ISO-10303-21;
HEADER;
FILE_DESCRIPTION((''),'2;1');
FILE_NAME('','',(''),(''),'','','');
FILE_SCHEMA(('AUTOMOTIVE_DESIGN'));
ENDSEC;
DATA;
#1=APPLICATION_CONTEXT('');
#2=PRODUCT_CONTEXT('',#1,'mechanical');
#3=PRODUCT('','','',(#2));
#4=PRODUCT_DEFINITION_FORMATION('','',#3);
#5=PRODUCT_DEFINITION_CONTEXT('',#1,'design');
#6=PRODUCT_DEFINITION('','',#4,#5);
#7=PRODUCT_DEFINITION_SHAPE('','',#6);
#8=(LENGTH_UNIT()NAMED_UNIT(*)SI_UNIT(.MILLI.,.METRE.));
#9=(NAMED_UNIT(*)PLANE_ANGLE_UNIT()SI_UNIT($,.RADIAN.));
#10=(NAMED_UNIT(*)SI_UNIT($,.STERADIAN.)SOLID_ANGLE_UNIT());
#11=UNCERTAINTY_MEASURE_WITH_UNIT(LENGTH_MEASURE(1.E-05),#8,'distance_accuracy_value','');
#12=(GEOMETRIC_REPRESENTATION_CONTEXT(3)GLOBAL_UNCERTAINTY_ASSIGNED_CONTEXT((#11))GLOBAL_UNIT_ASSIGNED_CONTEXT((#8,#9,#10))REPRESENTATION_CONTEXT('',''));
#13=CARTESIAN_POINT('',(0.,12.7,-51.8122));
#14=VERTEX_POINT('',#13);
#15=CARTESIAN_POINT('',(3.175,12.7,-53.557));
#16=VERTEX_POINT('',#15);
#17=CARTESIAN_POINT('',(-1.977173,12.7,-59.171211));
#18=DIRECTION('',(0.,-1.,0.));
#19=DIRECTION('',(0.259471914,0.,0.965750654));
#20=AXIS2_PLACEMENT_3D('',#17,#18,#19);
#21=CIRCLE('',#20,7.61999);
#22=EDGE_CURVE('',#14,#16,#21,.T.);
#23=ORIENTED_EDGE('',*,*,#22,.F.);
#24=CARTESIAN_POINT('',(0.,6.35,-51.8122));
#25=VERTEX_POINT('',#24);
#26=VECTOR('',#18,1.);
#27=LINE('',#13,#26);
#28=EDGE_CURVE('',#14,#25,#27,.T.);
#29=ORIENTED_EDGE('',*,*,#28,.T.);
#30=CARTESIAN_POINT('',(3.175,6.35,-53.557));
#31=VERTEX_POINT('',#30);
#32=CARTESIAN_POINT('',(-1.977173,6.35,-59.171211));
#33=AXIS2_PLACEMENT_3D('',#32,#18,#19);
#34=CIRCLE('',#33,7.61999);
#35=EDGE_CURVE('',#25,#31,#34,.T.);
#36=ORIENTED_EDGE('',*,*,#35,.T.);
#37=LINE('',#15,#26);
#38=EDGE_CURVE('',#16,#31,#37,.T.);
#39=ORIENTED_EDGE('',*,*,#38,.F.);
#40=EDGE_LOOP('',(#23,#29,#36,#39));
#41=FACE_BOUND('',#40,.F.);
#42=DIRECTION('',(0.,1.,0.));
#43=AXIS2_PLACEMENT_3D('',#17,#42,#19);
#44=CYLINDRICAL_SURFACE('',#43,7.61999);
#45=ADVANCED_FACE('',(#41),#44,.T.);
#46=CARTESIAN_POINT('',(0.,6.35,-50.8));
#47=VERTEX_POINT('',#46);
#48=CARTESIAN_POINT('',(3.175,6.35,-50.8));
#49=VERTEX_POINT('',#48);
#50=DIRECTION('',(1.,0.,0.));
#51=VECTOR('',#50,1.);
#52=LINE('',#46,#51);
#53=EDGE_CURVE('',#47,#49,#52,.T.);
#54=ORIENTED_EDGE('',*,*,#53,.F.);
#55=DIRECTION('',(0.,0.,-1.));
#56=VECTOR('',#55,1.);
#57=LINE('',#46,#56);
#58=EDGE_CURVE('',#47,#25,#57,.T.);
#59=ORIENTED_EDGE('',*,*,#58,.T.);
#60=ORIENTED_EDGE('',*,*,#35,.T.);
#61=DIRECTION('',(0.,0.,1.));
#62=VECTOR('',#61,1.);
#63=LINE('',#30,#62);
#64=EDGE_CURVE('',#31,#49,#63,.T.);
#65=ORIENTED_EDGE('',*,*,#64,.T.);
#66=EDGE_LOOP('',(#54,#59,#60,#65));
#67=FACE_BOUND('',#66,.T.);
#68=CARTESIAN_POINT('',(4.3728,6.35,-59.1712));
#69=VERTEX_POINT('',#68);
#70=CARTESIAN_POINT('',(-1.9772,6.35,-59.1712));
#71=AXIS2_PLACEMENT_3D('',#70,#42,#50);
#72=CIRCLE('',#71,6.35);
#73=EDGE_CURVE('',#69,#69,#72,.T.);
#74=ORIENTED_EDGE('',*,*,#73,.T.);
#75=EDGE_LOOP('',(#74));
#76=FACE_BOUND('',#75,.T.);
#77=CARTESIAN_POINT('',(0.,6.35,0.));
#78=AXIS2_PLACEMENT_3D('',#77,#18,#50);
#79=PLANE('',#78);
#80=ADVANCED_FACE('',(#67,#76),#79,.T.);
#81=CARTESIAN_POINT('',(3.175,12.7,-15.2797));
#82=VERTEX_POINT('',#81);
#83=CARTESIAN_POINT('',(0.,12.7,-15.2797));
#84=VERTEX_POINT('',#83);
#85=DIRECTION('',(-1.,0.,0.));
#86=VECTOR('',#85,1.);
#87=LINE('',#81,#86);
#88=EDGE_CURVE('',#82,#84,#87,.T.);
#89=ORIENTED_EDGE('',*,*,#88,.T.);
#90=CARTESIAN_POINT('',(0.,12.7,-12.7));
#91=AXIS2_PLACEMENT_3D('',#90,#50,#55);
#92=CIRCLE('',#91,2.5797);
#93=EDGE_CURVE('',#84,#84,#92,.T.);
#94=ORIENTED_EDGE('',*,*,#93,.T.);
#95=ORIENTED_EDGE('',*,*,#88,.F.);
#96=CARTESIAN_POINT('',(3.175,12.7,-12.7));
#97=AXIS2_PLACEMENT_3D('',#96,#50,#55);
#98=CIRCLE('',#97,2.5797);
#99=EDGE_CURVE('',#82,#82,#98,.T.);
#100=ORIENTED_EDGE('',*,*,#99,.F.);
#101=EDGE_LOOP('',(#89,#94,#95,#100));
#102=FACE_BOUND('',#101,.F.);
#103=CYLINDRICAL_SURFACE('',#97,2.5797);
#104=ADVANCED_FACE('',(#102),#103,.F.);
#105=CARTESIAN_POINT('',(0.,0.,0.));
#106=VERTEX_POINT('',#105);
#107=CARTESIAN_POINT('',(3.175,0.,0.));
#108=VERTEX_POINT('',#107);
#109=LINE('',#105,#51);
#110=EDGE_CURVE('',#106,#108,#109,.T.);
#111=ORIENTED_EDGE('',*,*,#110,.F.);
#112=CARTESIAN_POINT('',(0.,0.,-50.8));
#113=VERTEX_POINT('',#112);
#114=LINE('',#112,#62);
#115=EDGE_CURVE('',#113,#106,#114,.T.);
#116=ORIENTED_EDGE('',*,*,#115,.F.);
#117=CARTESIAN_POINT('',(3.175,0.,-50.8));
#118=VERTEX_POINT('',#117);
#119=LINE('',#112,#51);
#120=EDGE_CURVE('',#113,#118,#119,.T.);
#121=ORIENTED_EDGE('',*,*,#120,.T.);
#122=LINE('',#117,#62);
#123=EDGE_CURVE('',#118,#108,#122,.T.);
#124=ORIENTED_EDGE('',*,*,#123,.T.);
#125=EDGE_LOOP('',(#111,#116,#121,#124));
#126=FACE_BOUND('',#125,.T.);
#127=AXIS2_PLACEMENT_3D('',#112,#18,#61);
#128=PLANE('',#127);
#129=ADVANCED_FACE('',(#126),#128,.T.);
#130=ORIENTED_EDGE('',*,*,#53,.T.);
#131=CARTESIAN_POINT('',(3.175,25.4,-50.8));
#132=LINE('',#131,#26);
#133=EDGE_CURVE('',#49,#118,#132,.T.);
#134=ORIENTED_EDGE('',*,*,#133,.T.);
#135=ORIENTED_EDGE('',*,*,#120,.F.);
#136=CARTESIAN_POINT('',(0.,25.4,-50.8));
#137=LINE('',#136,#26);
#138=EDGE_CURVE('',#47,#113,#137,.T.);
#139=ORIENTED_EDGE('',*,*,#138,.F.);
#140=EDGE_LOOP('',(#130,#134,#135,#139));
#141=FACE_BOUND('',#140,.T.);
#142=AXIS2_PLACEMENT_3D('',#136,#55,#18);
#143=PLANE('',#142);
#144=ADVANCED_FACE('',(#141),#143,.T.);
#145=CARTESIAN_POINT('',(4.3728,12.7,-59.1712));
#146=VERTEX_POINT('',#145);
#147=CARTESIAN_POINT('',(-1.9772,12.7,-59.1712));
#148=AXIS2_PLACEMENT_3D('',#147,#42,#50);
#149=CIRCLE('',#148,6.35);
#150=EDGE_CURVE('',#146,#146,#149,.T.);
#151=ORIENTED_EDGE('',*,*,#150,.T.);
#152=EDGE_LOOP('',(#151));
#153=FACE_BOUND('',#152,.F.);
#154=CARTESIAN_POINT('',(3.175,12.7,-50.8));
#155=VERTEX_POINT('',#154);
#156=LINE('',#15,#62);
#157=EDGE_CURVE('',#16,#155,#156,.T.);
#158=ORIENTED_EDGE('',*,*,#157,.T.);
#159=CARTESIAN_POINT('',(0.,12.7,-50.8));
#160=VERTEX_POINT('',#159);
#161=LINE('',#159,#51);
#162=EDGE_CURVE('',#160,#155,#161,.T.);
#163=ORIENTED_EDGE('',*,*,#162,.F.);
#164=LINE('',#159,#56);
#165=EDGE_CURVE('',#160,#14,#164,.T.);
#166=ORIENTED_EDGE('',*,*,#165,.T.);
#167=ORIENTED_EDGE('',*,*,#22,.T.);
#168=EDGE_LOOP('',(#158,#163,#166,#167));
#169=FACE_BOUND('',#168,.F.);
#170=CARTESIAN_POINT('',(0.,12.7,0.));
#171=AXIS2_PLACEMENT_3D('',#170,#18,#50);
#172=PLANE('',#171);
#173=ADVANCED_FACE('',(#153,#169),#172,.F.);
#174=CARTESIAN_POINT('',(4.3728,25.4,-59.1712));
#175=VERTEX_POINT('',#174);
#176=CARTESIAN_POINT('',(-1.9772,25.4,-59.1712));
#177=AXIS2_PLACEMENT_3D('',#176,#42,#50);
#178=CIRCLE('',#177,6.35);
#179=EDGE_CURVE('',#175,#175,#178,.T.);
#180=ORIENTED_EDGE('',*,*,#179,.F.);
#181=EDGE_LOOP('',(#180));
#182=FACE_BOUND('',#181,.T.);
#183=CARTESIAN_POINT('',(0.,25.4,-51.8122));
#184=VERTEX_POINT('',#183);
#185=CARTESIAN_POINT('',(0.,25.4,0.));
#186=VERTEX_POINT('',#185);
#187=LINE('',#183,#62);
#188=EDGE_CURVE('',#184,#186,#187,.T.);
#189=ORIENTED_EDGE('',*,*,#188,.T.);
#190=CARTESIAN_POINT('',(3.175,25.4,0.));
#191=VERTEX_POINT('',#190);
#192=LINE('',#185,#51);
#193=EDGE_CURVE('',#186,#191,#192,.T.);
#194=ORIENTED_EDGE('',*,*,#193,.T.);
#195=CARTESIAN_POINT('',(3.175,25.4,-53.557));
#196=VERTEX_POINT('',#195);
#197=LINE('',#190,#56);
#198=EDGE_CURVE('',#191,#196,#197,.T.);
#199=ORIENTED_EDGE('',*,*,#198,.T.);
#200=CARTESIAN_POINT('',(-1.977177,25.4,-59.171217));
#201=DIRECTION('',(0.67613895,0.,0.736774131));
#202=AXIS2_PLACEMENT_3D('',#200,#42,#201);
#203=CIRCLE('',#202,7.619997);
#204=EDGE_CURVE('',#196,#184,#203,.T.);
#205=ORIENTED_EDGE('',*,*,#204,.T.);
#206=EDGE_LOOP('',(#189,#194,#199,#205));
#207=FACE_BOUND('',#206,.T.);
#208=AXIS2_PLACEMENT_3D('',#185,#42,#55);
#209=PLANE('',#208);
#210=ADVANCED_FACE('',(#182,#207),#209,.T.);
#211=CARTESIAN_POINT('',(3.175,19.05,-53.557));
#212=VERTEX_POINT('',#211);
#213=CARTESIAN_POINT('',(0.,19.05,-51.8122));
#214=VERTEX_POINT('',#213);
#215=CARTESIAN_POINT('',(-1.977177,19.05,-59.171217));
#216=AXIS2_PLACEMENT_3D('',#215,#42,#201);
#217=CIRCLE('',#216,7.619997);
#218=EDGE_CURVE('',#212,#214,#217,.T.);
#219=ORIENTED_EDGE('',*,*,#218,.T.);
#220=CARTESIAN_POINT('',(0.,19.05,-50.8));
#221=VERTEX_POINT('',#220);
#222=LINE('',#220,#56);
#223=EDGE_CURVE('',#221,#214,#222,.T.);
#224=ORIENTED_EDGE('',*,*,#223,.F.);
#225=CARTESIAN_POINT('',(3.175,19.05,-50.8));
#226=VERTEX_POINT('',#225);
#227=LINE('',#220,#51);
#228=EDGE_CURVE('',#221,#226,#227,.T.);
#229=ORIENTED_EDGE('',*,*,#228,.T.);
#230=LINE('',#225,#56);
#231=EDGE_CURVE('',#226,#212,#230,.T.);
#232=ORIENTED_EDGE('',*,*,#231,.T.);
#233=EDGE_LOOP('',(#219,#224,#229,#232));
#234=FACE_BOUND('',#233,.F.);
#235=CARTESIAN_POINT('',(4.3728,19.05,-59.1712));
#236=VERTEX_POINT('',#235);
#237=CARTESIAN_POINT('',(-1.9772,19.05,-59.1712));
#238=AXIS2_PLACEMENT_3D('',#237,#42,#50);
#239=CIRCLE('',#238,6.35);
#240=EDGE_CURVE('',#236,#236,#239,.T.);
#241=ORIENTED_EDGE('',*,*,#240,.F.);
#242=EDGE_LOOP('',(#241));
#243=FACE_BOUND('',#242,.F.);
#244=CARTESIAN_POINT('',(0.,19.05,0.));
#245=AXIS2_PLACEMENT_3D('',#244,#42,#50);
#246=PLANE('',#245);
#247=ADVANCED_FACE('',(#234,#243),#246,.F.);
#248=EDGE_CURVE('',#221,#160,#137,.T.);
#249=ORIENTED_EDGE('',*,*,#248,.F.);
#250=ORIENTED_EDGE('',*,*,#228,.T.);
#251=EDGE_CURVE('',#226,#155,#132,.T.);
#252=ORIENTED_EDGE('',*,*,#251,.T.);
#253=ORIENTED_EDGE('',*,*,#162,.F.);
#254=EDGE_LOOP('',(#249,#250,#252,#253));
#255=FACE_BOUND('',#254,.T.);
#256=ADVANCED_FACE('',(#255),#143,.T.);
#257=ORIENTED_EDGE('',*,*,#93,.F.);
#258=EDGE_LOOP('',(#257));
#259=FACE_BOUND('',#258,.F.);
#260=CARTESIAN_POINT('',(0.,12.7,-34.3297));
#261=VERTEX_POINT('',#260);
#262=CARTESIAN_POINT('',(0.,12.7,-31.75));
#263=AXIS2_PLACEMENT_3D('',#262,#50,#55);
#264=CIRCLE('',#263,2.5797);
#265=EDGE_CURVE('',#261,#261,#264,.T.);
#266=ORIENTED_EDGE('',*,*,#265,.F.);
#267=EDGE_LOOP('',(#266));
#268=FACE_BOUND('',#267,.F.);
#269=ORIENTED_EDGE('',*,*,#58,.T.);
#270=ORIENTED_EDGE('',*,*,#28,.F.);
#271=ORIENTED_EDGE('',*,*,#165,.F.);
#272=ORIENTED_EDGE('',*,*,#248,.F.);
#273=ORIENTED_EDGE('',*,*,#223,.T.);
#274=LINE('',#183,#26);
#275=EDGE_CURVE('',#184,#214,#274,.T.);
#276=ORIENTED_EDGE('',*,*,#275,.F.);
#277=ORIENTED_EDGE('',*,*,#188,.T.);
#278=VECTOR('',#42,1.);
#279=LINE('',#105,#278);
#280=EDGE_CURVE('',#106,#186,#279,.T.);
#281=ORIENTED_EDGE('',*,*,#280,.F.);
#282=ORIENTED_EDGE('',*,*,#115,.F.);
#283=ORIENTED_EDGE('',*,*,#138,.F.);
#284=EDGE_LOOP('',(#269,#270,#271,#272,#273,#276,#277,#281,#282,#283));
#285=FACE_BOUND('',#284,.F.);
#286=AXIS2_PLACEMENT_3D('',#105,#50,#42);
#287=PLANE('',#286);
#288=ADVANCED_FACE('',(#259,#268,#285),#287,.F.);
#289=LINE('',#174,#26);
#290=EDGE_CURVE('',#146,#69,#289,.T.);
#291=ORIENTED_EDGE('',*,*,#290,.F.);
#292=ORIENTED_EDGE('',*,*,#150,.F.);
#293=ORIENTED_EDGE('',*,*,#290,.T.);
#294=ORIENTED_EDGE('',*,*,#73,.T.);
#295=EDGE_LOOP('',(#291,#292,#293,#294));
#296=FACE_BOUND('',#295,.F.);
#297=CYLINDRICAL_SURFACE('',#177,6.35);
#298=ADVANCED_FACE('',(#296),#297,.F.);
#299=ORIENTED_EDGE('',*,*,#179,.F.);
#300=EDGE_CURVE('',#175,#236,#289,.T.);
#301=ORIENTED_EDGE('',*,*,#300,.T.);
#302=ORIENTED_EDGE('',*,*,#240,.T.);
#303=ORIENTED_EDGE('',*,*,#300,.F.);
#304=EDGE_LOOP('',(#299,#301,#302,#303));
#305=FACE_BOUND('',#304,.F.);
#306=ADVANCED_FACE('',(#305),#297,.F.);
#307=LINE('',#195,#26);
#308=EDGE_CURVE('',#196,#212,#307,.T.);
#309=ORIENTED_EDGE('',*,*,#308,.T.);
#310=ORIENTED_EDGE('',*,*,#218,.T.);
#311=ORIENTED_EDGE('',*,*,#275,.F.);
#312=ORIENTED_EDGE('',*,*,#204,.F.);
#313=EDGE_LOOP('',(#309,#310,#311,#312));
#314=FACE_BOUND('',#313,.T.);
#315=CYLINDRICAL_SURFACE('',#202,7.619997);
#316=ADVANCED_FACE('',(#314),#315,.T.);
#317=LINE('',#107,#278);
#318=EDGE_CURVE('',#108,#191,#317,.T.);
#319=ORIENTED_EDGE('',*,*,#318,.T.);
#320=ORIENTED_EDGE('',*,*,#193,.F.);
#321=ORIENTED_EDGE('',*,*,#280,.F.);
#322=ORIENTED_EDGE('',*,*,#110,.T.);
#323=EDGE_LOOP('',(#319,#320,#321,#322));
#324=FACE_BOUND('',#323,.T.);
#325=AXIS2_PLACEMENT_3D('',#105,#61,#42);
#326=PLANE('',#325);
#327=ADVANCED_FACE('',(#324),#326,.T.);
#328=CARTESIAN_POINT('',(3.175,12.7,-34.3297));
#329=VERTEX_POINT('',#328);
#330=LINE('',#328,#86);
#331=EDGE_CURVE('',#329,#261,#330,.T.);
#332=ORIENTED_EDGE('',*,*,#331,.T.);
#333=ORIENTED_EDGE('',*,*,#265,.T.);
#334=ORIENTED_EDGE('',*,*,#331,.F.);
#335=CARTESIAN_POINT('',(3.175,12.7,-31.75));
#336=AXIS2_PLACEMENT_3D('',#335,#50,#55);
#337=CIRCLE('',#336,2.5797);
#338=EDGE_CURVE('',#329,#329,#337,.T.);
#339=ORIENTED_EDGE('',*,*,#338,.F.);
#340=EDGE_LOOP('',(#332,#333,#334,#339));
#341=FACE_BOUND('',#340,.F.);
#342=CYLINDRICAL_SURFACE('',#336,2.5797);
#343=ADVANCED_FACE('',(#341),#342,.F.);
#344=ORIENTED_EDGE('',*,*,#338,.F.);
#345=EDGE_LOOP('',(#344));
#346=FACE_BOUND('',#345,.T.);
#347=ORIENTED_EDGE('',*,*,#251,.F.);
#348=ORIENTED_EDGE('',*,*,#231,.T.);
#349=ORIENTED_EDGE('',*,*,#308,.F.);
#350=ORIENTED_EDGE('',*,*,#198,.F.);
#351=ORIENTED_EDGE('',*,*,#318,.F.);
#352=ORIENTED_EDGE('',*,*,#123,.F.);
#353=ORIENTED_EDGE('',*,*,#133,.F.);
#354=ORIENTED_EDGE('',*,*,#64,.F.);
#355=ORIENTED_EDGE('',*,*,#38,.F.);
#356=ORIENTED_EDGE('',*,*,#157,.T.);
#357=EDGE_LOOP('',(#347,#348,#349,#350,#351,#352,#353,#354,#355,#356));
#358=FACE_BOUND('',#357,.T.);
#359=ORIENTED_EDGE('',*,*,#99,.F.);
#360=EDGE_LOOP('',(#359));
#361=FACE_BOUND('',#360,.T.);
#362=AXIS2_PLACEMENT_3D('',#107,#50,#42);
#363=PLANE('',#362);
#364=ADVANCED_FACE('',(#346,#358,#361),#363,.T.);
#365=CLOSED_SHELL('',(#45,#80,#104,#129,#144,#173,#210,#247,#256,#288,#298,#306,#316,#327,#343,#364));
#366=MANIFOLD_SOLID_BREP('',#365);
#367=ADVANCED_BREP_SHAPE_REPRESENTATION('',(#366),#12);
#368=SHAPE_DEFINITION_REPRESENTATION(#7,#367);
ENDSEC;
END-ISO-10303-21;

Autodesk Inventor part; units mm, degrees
ref_plane "YZ Plane" through (0, 0, 0) normal (1, 0, 0) x (0, 1, 0)
ref_plane "XZ Plane" through (0, 0, 0) normal (0, 1, 0) x (-1, 0, 0)
sketch "Sketch1" plane through (0, 0, 0) normal (1, 0, 0) x (0, 1, 0)
  line L0 (0, 0) -> (25.4, 0)
  line L1 (25.4, 0) -> (25.4, -50.8)
  line L2 (25.4, -50.8) -> (0, -50.8)
  line L3 (0, -50.8) -> (0, 0)
  dimension "d0" = 25.4
  dimension "d1" = 50.8
extrude "Extrusion1" add sketch "Sketch1" along normal blind 3.175
sketch "Sketch2" plane through (0, 25.4, 0) normal (0, 1, 0) x (1, 0, 0)
  line L0 (0, 50.8) -> (3.175, 50.8) projected
  arc A0 (3.175, 53.557) -> (0, 51.8122) centre (-1.9772, 59.1712) ccw
  line L1 (0, 50.8) -> (0, 0) projected
  line L2 (0, 50.8) -> (0, 51.8122)
  line L3 (3.175, 50.8) -> (3.175, 53.557)
  dimension "d4" = 15.24
extrude "Extrusion2" add sketch "Sketch2" against normal blind 6.35
ref_plane "Work Plane1" through (0, 12.7, 0) normal (0, -1, 0) x (1, 0, 0)
sketch "Sketch3" plane through (0, 12.7, 0) normal (0, -1, 0) x (1, 0, 0)
  arc A0 (0, -51.8122) -> (3.175, -53.557) centre (-1.9772, -59.1712) ccw projected
  line L0 (3.175, -53.557) -> (3.175, -50.8) projected
  line L1 (0, -50.8) -> (3.175, -50.8) projected
  line L2 (0, -50.8) -> (0, -51.8122) projected
  point P0 (0, 0)
extrude "Extrusion3" add sketch "Sketch3" along normal blind 6.35
sketch "Sketch4" plane through (0, 25.4, 0) normal (0, 1, 0) x (1, 0, 0)
  arc A0 (3.175, 53.557) -> (0, 51.8122) centre (-1.9772, 59.1712) ccw projected
  circle A1 centre (-1.9772, 59.1712) radius 6.35
  point P0 (0, 0)
  dimension "d10" = 12.7
extrude "Extrusion4" cut sketch "Sketch4" against normal blind 127
sketch "Sketch5" plane through (3.175, 0, 0) normal (1, 0, 0) x (0, 0, -1)
  line L0 (0, 25.4) -> (0, 0) construction
  line L1 (0, 12.7) -> (12.7, 12.7) construction
  line L2 (12.7, 12.7) -> (31.75, 12.7) construction
  circle A0 centre (12.7, 12.7) radius 2.5797
  circle A1 centre (31.75, 12.7) radius 2.5797
  dimension "d13" = 12.7
  dimension "d14" = 19.05
  dimension "d15" = 5.1594
  dimension "d16" = 5.1594
extrude "Extrusion5" cut sketch "Sketch5" against normal blind 127
properties part number "hinge half"
